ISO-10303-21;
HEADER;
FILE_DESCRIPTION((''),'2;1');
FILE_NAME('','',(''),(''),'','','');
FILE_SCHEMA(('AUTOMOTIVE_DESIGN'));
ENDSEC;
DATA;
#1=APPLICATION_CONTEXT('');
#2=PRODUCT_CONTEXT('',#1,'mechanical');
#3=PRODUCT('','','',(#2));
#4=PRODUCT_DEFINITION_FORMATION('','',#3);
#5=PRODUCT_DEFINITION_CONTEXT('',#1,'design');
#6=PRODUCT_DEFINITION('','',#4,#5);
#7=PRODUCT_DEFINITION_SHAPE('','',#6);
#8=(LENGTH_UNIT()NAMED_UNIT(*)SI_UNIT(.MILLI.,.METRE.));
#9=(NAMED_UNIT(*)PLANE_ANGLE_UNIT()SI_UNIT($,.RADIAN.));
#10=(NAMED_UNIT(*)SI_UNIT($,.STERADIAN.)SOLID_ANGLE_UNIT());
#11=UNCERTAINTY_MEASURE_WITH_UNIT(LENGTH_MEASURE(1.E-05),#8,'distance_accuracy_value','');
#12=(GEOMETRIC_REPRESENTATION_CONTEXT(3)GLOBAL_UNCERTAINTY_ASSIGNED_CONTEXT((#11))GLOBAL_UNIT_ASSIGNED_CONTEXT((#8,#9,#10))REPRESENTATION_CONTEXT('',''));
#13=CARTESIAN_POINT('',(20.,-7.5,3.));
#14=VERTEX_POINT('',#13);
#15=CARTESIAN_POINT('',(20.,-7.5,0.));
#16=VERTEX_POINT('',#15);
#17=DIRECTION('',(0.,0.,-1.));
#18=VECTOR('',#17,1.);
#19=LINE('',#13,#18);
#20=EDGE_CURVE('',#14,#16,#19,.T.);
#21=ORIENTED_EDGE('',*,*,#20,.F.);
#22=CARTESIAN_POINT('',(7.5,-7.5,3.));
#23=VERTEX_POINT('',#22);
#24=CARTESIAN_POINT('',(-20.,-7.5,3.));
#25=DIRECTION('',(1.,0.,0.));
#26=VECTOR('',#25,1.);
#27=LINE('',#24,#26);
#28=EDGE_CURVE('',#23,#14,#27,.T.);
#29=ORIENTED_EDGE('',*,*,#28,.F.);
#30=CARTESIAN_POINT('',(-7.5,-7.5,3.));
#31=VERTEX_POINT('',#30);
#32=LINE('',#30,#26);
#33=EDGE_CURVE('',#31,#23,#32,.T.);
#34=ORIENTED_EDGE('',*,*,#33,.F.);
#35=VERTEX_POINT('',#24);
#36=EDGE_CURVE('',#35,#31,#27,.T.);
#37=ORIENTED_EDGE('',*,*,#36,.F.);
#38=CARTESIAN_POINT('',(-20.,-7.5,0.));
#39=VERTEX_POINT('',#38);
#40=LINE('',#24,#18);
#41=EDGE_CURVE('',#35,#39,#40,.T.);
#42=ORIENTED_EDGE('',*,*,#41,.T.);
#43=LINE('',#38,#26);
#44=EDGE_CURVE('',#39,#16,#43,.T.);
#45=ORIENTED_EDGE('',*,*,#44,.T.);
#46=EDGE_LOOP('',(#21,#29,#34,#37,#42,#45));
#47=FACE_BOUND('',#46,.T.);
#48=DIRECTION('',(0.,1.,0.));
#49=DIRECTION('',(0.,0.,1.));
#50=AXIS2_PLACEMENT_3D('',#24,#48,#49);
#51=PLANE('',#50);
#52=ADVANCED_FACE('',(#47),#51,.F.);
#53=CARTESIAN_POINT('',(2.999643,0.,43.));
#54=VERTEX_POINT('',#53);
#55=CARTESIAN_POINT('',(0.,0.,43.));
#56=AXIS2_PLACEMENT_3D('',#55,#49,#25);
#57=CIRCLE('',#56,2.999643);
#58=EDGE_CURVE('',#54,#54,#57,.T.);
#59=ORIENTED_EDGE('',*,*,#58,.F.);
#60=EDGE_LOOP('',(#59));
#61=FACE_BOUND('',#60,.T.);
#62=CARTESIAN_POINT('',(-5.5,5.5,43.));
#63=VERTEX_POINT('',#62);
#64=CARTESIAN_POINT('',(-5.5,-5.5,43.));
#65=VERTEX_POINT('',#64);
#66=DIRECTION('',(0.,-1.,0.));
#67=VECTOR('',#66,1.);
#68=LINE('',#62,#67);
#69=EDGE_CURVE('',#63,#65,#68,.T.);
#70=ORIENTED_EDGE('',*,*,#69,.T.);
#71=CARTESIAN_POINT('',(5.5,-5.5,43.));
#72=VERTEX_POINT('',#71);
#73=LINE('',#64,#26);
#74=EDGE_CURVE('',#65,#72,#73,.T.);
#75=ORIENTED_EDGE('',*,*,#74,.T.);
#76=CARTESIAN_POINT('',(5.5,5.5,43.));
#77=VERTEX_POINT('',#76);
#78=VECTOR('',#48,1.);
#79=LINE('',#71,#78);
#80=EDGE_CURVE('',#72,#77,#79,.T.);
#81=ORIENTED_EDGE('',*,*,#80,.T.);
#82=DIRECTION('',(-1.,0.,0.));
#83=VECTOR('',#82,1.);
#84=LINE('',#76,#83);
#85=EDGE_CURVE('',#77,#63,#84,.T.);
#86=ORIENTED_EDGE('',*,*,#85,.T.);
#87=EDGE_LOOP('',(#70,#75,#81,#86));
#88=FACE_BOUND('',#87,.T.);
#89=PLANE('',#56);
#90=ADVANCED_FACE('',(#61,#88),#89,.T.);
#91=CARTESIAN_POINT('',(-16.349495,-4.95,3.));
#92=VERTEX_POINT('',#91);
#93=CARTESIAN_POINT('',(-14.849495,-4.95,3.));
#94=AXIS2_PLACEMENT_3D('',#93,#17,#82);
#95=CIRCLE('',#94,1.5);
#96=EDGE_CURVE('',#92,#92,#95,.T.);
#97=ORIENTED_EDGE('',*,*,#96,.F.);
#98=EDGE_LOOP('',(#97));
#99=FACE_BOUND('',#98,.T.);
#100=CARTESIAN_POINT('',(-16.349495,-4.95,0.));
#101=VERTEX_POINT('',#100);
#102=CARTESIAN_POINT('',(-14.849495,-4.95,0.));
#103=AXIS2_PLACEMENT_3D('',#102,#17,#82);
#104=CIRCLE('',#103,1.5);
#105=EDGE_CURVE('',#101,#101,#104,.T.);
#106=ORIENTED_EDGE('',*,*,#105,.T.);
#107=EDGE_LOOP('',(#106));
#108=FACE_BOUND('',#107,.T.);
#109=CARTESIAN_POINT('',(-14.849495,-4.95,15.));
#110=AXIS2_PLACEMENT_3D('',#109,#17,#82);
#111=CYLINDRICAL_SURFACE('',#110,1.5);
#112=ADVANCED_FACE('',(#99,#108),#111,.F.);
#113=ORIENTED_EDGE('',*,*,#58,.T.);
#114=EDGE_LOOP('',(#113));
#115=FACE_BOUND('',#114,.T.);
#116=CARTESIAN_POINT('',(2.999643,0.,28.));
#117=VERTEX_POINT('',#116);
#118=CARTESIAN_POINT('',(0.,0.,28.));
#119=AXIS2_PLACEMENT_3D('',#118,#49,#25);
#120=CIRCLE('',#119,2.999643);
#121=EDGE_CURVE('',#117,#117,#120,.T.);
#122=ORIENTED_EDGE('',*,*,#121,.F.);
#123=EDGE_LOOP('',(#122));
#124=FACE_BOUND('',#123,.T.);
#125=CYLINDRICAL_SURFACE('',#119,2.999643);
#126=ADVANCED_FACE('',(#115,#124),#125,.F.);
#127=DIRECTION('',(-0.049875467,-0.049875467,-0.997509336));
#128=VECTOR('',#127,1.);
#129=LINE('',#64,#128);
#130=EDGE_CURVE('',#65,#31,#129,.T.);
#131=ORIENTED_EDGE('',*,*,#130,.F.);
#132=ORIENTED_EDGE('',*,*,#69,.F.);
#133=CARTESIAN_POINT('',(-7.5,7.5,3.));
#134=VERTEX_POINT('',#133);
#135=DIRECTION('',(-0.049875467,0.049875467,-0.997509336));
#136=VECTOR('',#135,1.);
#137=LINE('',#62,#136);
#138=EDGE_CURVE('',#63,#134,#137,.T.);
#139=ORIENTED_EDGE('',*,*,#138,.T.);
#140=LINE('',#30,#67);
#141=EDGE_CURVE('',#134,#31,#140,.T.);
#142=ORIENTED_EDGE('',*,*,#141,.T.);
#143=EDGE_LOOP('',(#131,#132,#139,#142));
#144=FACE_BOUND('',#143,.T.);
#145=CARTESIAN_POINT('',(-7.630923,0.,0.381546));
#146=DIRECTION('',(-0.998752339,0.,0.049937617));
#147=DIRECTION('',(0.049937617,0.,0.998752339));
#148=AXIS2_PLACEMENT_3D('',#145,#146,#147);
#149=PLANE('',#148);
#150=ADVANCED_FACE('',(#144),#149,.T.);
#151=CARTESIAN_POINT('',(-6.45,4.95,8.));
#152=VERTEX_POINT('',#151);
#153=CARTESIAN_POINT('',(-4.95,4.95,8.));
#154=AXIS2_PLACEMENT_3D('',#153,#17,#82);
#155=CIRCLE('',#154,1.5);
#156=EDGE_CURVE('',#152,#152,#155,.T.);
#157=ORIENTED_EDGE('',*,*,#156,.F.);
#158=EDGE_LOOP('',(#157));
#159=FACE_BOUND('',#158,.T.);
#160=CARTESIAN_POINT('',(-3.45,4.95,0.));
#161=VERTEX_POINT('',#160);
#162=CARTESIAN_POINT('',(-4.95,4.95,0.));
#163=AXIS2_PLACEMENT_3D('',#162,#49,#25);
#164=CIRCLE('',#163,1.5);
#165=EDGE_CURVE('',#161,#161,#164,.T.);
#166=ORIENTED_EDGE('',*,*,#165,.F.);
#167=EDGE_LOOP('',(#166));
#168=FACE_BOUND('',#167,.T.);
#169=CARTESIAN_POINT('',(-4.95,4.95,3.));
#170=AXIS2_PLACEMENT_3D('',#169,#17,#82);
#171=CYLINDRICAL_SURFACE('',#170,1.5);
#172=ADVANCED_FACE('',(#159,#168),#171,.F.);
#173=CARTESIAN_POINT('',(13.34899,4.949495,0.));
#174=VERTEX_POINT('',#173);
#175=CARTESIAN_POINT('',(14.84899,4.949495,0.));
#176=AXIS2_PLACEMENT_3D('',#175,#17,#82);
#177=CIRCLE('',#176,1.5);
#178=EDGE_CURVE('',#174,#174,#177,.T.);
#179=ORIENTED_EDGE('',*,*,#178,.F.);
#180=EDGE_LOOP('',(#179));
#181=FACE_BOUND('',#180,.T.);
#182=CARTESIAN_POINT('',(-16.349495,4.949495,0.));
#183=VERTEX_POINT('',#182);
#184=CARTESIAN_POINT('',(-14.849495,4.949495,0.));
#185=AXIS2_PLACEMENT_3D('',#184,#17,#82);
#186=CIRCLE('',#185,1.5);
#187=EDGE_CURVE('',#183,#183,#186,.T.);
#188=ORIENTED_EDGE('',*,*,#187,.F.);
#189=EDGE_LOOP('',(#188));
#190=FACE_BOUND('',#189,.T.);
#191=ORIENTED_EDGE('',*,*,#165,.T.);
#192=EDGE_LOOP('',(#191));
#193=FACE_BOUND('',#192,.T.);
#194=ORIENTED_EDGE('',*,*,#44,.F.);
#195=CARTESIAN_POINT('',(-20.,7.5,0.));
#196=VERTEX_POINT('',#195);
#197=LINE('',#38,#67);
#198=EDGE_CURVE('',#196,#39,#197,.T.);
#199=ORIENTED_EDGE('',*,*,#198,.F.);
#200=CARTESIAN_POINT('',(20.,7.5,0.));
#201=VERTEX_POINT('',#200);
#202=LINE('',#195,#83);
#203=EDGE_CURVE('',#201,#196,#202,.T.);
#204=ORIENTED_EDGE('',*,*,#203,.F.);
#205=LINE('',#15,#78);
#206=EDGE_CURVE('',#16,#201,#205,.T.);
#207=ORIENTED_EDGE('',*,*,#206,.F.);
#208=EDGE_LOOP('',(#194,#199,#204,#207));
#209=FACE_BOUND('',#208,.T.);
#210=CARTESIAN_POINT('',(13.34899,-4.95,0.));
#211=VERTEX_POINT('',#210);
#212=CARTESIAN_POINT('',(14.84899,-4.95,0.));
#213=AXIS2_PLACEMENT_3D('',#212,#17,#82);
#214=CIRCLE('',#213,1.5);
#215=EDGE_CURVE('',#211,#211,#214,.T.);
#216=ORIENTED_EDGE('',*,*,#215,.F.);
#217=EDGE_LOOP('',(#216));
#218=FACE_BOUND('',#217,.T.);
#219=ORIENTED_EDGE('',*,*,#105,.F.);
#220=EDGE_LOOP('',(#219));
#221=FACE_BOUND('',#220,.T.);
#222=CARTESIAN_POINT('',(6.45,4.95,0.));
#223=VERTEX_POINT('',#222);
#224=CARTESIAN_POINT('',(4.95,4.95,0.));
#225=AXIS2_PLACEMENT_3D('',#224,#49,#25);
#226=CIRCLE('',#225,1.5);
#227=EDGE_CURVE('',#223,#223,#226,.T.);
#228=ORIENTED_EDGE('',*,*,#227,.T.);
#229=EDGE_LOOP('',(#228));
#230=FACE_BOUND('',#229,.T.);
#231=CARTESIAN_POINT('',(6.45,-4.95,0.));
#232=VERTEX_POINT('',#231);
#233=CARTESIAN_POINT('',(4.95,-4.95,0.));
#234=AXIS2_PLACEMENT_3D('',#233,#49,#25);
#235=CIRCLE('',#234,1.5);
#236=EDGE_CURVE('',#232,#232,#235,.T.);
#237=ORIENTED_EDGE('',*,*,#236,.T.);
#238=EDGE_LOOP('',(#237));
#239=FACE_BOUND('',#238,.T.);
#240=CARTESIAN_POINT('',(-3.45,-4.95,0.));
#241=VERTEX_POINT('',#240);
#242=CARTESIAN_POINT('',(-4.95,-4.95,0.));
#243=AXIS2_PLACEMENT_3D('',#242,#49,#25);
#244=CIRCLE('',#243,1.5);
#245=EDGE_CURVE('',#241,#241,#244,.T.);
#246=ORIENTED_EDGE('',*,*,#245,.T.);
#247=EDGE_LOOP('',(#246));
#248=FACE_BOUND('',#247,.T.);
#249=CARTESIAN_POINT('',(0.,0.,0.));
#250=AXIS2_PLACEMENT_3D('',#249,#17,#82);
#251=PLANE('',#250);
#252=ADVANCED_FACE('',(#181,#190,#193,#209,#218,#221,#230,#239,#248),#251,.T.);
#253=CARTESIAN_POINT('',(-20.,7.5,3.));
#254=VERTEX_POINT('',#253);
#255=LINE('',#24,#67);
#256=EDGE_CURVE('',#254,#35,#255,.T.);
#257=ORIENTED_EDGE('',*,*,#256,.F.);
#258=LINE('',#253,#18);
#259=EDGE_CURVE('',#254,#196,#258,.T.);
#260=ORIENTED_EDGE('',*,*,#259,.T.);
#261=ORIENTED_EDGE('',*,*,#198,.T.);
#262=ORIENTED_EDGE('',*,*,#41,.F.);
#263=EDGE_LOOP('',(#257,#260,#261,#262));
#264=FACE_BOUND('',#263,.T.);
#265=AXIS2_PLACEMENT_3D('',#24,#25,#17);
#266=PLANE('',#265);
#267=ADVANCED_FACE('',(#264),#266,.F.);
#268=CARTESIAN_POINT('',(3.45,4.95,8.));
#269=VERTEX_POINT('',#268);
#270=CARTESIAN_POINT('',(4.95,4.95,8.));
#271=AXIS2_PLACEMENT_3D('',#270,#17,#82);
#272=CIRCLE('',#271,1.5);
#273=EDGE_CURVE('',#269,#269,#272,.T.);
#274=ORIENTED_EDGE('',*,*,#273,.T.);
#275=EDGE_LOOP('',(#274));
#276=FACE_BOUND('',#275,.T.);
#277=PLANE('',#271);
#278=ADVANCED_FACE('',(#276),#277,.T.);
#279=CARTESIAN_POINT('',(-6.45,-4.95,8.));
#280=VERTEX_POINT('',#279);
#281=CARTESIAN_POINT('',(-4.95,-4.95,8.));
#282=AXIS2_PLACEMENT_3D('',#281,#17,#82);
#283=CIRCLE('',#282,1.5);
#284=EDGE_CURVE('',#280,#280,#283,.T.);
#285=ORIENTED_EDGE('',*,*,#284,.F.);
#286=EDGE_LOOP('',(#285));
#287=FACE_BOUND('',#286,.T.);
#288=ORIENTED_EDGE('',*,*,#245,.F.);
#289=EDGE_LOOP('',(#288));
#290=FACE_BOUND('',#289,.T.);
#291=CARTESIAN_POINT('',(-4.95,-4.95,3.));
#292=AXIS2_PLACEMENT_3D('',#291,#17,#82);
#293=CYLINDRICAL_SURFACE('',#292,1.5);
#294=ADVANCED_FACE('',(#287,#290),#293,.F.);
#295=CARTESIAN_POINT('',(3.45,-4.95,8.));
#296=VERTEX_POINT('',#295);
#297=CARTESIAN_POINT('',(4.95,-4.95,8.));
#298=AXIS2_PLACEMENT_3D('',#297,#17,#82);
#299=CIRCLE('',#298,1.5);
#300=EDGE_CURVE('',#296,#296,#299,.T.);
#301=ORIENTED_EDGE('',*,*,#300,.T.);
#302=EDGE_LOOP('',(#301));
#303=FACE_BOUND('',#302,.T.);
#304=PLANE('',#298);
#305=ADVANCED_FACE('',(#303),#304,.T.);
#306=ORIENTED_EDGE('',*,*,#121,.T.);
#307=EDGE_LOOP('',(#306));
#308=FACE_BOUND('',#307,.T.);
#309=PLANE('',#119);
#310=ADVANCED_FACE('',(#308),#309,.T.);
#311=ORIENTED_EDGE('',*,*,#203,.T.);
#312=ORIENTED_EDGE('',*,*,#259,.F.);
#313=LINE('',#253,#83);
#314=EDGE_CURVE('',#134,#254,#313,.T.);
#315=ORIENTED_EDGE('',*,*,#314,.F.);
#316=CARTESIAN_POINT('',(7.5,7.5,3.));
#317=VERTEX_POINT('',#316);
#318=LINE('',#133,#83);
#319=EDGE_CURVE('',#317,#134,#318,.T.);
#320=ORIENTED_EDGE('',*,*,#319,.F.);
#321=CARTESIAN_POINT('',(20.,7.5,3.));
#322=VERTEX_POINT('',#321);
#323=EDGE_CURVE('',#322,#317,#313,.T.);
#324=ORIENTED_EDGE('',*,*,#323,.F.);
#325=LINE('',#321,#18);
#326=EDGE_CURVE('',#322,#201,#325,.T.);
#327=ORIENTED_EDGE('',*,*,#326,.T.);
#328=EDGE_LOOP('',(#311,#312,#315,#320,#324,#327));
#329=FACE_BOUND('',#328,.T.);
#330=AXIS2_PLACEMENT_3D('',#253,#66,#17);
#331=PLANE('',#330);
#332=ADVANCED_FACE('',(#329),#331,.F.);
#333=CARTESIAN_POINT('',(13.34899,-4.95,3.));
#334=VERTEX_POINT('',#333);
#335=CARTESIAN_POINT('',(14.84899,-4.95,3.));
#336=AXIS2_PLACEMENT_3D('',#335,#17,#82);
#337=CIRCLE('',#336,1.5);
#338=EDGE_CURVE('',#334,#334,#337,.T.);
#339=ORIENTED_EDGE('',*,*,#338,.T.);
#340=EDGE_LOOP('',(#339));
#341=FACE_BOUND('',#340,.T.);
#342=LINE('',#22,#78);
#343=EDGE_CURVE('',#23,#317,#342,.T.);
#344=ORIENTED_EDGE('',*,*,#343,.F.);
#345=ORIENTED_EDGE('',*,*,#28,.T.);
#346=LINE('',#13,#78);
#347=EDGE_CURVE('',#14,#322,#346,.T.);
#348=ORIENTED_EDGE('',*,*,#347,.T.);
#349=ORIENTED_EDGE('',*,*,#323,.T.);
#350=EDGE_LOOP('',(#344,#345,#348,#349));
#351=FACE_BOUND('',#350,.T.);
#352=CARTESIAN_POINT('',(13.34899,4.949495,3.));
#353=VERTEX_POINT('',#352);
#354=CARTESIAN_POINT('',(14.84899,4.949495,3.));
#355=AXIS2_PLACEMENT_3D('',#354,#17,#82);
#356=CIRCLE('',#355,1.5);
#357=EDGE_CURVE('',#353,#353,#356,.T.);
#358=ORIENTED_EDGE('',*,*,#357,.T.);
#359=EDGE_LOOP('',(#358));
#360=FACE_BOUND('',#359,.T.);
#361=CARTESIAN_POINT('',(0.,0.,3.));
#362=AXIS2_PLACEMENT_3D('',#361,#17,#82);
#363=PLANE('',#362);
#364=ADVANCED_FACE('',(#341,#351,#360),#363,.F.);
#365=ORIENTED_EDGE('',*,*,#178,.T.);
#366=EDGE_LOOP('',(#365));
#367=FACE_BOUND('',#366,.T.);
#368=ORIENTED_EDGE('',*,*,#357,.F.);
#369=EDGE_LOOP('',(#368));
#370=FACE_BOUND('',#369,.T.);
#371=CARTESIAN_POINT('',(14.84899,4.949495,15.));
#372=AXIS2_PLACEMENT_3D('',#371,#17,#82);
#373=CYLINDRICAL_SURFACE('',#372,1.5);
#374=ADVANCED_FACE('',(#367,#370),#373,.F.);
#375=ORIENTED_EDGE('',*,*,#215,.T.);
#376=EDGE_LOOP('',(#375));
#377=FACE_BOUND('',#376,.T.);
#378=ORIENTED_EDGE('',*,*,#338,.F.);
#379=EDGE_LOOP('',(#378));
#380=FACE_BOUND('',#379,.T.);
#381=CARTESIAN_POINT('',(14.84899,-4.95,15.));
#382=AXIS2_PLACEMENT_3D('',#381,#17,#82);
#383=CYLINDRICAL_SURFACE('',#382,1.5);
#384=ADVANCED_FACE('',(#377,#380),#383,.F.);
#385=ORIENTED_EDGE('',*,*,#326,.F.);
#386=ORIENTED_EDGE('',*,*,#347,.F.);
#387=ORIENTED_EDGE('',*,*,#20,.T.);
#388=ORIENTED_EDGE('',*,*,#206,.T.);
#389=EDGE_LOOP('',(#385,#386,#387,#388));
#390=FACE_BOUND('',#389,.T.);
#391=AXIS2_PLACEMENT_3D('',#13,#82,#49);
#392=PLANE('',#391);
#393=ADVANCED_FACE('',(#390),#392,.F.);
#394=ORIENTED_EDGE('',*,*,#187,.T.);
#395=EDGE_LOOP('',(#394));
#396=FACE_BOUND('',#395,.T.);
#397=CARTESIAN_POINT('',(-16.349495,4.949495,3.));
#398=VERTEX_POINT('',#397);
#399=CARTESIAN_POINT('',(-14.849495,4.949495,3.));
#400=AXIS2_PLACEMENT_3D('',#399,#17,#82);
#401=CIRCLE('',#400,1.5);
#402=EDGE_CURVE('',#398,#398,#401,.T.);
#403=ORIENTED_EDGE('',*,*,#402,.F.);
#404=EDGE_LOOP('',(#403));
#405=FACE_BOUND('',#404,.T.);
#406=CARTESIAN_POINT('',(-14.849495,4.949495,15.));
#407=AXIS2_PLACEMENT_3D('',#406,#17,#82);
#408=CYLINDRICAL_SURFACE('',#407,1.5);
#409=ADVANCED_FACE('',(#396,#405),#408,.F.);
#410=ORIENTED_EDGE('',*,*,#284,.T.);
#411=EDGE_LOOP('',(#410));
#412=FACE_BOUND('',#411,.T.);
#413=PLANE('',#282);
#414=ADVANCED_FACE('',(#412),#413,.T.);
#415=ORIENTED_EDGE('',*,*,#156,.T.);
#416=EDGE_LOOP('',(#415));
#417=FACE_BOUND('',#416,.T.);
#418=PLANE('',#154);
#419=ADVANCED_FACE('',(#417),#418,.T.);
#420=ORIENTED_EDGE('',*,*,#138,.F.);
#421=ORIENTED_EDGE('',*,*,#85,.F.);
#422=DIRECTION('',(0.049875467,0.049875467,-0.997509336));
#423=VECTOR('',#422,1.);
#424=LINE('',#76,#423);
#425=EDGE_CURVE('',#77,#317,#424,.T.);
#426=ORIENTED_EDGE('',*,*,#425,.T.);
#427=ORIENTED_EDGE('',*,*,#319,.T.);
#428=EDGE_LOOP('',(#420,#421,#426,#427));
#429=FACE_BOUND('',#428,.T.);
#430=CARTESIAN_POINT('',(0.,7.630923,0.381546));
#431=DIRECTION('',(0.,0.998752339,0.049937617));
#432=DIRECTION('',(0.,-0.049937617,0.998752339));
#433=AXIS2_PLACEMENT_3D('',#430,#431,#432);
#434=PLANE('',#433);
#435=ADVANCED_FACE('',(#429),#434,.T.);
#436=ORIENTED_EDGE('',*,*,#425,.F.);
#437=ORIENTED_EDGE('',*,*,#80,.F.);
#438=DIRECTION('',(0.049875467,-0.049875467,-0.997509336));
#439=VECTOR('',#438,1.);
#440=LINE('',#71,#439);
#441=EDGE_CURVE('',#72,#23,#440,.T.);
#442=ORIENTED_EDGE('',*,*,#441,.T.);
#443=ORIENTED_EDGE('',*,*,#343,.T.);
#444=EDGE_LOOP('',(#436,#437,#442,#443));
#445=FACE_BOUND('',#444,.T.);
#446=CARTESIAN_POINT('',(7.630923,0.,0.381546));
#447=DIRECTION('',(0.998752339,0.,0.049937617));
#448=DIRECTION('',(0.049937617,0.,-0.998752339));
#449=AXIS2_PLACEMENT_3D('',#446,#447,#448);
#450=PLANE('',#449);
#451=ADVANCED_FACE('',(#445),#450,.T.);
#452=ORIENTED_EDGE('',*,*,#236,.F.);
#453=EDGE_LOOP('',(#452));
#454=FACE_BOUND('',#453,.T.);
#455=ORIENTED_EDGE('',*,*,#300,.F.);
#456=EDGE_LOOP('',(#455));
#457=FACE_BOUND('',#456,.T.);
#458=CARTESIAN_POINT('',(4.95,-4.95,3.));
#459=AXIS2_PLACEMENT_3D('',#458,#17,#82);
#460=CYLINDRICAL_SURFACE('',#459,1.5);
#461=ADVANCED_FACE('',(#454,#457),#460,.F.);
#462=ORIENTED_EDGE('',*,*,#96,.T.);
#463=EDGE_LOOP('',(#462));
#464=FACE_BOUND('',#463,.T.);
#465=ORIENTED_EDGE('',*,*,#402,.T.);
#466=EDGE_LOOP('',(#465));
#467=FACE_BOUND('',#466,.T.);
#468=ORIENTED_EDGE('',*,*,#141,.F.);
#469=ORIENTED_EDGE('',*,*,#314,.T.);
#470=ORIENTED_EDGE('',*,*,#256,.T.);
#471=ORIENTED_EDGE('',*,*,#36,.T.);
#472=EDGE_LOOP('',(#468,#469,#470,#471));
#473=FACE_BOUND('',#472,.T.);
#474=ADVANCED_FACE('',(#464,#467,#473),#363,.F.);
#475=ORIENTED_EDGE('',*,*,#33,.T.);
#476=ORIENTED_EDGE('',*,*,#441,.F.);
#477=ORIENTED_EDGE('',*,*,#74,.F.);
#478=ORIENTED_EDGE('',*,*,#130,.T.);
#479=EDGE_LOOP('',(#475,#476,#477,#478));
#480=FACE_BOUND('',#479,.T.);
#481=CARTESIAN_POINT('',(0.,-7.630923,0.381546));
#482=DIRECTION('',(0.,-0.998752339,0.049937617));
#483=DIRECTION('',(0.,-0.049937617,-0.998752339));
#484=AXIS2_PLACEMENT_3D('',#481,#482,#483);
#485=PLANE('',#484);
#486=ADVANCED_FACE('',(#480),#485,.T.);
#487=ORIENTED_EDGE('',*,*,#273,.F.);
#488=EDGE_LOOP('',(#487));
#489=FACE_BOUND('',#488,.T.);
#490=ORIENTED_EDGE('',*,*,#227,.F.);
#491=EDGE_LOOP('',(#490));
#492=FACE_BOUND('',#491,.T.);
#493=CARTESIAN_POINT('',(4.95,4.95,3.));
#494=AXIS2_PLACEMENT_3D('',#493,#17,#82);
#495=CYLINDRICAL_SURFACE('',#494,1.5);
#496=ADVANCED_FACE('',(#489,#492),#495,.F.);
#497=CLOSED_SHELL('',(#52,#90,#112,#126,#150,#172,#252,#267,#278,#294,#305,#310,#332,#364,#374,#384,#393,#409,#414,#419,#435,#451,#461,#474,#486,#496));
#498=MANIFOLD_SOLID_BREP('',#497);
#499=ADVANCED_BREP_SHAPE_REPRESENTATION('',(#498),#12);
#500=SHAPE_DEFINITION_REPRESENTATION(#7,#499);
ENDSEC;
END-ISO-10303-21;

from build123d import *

# Parameters (mm, degrees)
SKETCH_1_W          = 40
SKETCH_1_H          = 15
SKETCH_1_R          = 1.5
EXTRUDE_1_DEPTH     = 3
SKETCH_5_R          = 1.5
CUT_EXTRUDE_3_DEPTH = 8
SKETCH_8_R          = 2.999642866
CUT_EXTRUDE_4_DEPTH = 15
SKETCH_9_R          = 1.5
CUT_EXTRUDE_5_DEPTH = 15


with BuildPart() as part:
    # 草图1 → 凸台-拉伸1 (new body)
    with BuildSketch(Plane.XY):
        Rectangle(SKETCH_1_W, SKETCH_1_H)
        with Locations((4.95, 4.95)):
            Circle(SKETCH_1_R, mode=Mode.SUBTRACT)
        with Locations((4.95, -4.95)):
            Circle(SKETCH_1_R, mode=Mode.SUBTRACT)
        with Locations((-4.95, -4.95)):
            Circle(SKETCH_1_R, mode=Mode.SUBTRACT)
        with Locations((-4.95, 4.95)):
            Circle(SKETCH_1_R, mode=Mode.SUBTRACT)
    extrude(amount=EXTRUDE_1_DEPTH)

    # 草图3 → 放样1 section 0
    with BuildSketch(Plane.XY.offset(43)):
        with BuildLine():
            Line((-5.5, -5.5), (5.5, -5.5))
            Line((5.5, -5.5), (5.5, 5.5))
            Line((5.5, 5.5), (-5.5, 5.5))
            Line((-5.5, 5.5), (-5.5, -5.5))
        make_face()
    # 草图2 → 放样1 section 1
    with BuildSketch(Plane.XY.offset(3)):
        with BuildLine():
            Line((-7.5, -7.5), (7.5, -7.5))
            Line((7.5, -7.5), (7.5, 7.5))
            Line((7.5, 7.5), (-7.5, 7.5))
            Line((-7.5, 7.5), (-7.5, -7.5))
        make_face()
    loft()

    # 草图5 → 切除-拉伸3 (cut)
    with BuildSketch(Plane(origin=(0, 0, 0), x_dir=(-1, 0, 0), z_dir=(0, 0, -1))):
        with Locations((4.95, -4.95)):
            Circle(SKETCH_5_R)
        with Locations((4.95, 4.95)):
            Circle(SKETCH_5_R)
        with Locations((-4.95, 4.95)):
            Circle(SKETCH_5_R)
        with Locations((-4.95, -4.95)):
            Circle(SKETCH_5_R)
    extrude(amount=-CUT_EXTRUDE_3_DEPTH, mode=Mode.SUBTRACT)

    # 草图8 → 切除-拉伸4 (cut)
    with BuildSketch(Plane.XY.offset(43)):
        Circle(SKETCH_8_R)
    extrude(amount=-CUT_EXTRUDE_4_DEPTH, mode=Mode.SUBTRACT)

    # 草图9 → 切除-拉伸5 (cut)
    with BuildSketch(Plane(origin=(0, 0, 0), x_dir=(-1, 0, 0), z_dir=(0, 0, -1))):
        with Locations((-14.848989873, -4.95)):
            Circle(SKETCH_9_R)
        with Locations((-14.848989873, 4.949494937)):
            Circle(SKETCH_9_R)
        with Locations((14.849494937, 4.949494937)):
            Circle(SKETCH_9_R)
        with Locations((14.849494937, -4.95)):
            Circle(SKETCH_9_R)
    extrude(amount=-CUT_EXTRUDE_5_DEPTH, mode=Mode.SUBTRACT)


solid = part.part
